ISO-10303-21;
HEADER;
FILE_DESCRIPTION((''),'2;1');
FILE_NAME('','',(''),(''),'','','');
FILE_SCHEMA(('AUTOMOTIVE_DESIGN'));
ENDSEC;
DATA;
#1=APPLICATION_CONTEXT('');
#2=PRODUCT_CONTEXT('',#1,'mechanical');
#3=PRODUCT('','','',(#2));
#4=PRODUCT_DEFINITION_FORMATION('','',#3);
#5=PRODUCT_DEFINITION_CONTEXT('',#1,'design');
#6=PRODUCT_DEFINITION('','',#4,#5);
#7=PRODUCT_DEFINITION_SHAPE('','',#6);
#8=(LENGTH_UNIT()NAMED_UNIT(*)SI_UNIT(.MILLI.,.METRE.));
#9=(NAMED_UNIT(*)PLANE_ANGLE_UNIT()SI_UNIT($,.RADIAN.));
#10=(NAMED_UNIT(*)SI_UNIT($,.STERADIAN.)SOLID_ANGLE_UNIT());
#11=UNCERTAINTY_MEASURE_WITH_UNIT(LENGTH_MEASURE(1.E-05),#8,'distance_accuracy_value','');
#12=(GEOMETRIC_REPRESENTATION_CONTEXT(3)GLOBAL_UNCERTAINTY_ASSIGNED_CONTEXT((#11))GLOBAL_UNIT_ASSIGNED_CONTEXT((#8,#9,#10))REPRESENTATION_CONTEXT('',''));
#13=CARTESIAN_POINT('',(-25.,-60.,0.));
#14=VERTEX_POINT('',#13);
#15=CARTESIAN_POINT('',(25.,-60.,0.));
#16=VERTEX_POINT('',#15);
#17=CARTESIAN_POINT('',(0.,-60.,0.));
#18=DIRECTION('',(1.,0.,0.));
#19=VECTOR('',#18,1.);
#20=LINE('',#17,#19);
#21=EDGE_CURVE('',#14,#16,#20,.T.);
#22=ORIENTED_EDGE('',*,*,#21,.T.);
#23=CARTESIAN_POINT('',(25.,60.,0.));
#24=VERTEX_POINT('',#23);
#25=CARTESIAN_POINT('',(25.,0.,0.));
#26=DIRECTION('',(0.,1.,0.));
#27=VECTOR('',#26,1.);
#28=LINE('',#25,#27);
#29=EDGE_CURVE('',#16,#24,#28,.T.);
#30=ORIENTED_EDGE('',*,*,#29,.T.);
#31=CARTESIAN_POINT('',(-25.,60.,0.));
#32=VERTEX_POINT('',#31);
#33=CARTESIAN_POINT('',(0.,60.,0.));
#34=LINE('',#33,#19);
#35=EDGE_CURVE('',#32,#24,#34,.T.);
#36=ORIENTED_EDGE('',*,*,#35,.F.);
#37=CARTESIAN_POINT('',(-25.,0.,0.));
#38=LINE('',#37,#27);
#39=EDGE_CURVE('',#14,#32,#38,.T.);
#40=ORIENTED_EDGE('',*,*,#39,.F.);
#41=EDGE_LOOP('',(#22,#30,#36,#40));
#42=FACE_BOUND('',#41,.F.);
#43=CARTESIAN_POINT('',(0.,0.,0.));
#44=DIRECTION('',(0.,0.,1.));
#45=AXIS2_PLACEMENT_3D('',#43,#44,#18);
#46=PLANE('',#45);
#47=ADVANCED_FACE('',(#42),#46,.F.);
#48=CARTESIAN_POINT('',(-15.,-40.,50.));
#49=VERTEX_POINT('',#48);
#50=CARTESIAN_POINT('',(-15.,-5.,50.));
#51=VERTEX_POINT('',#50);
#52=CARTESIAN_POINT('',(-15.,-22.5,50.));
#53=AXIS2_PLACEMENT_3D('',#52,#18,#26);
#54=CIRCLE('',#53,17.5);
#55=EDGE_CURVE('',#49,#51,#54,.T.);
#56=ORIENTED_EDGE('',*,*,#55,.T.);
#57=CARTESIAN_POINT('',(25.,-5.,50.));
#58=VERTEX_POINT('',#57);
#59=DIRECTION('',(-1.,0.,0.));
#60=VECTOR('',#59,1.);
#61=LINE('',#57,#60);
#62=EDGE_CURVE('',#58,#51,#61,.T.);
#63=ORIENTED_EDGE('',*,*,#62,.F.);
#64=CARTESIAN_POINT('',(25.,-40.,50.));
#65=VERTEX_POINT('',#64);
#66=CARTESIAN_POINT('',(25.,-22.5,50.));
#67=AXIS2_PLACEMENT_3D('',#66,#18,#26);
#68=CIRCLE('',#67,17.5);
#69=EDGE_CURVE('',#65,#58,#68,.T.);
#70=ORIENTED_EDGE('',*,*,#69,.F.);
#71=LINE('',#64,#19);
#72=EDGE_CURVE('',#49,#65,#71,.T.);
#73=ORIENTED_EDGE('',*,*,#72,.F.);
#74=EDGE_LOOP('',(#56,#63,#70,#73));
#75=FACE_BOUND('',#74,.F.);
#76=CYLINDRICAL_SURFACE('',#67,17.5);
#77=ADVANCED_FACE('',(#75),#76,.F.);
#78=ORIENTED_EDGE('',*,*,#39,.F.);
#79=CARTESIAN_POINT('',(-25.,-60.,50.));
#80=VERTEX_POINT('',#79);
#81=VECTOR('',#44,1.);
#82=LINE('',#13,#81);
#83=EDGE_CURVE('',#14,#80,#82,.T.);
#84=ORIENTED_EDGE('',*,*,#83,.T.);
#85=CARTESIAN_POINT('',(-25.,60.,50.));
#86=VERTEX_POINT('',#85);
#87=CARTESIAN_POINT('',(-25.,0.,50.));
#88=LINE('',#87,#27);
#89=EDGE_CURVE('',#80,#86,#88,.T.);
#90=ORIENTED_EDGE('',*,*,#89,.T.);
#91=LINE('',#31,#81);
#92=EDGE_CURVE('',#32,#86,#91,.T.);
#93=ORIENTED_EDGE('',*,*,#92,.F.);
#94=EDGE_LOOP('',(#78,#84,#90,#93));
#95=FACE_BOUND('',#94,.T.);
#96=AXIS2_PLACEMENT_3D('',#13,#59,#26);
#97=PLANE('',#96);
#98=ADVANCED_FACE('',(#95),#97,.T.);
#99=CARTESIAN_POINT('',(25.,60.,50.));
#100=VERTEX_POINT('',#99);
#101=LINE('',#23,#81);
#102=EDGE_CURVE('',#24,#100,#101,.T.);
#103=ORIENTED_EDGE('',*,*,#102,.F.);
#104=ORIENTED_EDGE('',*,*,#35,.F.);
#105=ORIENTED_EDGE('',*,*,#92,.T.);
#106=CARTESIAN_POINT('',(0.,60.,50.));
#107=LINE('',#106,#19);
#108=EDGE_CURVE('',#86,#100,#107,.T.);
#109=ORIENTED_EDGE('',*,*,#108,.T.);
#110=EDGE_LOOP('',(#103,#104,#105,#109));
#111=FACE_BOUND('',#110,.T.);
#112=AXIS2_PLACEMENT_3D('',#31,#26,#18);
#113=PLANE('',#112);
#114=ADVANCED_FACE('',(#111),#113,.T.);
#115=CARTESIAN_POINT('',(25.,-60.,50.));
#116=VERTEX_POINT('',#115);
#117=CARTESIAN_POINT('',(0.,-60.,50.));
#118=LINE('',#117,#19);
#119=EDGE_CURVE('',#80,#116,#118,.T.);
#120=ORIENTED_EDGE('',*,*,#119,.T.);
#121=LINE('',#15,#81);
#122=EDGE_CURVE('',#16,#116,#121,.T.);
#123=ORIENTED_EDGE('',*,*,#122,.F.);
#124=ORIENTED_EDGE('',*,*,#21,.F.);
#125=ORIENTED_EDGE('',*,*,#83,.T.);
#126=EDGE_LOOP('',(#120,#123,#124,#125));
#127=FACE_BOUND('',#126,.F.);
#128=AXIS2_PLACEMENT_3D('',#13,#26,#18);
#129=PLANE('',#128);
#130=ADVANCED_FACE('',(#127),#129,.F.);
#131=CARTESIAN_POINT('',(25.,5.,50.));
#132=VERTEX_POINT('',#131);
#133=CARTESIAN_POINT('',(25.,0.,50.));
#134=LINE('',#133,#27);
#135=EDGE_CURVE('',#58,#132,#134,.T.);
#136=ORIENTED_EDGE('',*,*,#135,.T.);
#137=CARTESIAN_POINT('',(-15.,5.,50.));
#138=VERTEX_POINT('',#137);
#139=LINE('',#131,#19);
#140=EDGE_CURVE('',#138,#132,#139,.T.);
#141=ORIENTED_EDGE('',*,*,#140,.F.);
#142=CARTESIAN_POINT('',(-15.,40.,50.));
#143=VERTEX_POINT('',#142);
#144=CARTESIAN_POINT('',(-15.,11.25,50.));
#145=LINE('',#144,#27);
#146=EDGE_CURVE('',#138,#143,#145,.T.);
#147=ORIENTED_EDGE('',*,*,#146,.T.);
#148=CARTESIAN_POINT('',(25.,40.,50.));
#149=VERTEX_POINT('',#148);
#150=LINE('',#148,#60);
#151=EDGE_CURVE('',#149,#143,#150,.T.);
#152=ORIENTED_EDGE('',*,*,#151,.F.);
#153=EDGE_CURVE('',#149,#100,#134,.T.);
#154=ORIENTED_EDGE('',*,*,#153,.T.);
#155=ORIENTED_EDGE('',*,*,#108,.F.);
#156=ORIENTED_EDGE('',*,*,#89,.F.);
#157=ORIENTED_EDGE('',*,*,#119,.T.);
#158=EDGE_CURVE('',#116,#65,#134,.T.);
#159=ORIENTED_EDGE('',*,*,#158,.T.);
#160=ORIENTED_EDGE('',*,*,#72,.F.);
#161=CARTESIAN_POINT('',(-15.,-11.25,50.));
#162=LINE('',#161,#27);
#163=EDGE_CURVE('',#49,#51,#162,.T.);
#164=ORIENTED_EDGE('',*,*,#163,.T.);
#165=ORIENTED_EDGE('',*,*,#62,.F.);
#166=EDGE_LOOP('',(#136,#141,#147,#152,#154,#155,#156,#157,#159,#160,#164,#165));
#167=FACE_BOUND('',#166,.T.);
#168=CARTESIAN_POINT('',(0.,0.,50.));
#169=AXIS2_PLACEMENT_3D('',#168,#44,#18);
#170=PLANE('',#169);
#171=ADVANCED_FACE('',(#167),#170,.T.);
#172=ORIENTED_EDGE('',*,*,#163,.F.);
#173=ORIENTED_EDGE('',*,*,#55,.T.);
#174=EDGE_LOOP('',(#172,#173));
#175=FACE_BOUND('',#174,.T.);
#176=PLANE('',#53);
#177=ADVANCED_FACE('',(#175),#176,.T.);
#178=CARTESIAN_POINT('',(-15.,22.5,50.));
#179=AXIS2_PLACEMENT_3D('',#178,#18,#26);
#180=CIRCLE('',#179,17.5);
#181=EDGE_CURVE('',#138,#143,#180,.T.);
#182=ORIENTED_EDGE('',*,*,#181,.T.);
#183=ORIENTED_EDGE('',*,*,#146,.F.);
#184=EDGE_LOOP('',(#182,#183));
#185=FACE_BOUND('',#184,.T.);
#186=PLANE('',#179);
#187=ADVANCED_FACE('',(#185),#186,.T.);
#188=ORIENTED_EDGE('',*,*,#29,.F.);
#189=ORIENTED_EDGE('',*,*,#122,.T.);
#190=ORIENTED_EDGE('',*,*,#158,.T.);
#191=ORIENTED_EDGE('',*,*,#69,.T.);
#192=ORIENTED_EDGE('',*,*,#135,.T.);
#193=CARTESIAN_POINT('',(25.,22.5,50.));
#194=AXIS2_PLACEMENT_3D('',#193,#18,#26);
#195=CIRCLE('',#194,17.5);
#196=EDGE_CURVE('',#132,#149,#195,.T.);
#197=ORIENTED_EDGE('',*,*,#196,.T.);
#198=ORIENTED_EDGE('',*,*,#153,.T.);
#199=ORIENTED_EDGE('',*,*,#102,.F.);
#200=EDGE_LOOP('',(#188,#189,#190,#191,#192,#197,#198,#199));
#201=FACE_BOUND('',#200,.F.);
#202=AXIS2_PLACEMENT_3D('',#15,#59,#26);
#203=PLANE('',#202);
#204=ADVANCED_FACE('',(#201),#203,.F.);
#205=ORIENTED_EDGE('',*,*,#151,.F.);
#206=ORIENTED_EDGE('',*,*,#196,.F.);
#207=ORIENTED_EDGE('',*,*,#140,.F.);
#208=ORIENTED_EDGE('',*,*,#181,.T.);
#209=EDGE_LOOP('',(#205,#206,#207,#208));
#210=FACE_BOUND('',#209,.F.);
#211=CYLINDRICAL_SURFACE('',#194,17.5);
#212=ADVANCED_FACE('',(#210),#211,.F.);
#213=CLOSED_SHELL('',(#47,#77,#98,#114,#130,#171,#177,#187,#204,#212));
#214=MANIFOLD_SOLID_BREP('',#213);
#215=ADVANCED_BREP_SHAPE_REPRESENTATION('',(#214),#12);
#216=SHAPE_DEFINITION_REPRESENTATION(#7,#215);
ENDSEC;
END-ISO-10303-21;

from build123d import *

# Parameters (mm, degrees)
F0_W     = 50
F0_H     = 120
F1_DEPTH = 50
F2_R     = 17.5
F3_DEPTH = 40


with BuildPart() as f1:
    # F0 (on Top) → F1 (new body)
    with BuildSketch(Plane.XY):
        Rectangle(F0_W, F0_H)
    extrude(amount=F1_DEPTH)

    # F2 (on face) → F3 (cut)
    with BuildSketch(Plane.YZ.offset(25)):
        with Locations((-22.5, 50)):
            Circle(F2_R)
        with Locations((22.5, 50)):
            Circle(F2_R)
    extrude(amount=-F3_DEPTH, mode=Mode.SUBTRACT)


solid = f1.part
